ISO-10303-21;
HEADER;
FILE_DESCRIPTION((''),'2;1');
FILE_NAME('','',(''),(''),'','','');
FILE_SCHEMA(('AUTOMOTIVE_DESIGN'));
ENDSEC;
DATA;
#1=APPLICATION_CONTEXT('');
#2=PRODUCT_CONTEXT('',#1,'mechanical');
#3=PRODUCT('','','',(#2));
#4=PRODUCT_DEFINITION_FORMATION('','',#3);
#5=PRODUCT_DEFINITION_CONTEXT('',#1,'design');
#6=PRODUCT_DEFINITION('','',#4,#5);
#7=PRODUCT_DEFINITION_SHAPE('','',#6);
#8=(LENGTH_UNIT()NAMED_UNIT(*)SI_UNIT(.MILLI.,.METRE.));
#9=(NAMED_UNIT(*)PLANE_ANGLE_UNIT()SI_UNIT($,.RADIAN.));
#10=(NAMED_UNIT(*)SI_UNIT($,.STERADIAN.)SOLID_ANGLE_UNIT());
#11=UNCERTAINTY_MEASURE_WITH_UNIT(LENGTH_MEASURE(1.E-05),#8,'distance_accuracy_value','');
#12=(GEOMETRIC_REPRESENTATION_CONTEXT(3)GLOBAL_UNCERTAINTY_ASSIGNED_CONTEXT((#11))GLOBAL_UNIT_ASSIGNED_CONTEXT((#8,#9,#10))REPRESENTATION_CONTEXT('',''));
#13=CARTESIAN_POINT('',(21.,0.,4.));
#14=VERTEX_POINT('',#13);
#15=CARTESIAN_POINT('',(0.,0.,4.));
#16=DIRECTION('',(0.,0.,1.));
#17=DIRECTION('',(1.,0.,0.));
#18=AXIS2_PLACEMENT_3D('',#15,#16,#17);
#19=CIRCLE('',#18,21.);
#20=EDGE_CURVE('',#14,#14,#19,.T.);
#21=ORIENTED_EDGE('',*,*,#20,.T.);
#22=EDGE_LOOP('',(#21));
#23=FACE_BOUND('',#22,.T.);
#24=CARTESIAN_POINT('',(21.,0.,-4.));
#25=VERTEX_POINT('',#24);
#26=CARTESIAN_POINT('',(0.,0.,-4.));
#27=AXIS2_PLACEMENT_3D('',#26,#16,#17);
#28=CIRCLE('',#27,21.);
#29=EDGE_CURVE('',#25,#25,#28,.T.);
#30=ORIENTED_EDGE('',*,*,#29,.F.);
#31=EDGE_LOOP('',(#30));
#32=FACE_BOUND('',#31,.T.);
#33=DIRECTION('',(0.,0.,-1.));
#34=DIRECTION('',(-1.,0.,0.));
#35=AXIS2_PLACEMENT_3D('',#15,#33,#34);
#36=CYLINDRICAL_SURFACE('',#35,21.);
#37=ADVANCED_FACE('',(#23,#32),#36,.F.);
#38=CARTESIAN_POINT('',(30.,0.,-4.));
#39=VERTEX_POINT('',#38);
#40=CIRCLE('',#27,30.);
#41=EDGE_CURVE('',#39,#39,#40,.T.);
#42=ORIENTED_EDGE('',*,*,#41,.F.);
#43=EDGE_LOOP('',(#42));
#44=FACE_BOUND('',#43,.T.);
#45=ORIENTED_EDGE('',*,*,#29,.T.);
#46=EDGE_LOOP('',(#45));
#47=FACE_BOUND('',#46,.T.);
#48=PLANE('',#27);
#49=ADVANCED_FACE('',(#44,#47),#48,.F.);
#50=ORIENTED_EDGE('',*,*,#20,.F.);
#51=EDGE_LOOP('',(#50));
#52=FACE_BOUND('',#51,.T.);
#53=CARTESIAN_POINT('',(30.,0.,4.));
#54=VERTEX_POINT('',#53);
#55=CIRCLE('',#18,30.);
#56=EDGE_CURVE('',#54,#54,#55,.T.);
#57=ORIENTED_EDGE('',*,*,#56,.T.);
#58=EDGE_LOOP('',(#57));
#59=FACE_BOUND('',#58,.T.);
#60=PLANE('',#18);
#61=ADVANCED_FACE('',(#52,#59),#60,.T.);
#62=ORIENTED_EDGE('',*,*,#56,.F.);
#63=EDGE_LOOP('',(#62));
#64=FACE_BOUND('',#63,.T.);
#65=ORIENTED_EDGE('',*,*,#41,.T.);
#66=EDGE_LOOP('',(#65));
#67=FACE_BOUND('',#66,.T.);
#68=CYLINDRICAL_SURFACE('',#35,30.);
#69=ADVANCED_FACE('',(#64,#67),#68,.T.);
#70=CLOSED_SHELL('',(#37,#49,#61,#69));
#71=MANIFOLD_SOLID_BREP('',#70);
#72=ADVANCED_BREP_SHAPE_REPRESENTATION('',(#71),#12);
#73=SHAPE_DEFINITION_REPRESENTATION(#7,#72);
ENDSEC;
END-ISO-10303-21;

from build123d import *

# Parameters (mm, degrees)
SKETCH_1_R      = 30
SKETCH_1_R_2    = 21
EXTRUDE_1_DEPTH = 4


with BuildPart() as part:
    # 草图1 → 凸台-拉伸1 (new, symmetric)
    with BuildSketch(Plane.XY):
        Circle(SKETCH_1_R)
        Circle(SKETCH_1_R_2, mode=Mode.SUBTRACT)
    extrude(amount=EXTRUDE_1_DEPTH, both=True)


solid = part.part
